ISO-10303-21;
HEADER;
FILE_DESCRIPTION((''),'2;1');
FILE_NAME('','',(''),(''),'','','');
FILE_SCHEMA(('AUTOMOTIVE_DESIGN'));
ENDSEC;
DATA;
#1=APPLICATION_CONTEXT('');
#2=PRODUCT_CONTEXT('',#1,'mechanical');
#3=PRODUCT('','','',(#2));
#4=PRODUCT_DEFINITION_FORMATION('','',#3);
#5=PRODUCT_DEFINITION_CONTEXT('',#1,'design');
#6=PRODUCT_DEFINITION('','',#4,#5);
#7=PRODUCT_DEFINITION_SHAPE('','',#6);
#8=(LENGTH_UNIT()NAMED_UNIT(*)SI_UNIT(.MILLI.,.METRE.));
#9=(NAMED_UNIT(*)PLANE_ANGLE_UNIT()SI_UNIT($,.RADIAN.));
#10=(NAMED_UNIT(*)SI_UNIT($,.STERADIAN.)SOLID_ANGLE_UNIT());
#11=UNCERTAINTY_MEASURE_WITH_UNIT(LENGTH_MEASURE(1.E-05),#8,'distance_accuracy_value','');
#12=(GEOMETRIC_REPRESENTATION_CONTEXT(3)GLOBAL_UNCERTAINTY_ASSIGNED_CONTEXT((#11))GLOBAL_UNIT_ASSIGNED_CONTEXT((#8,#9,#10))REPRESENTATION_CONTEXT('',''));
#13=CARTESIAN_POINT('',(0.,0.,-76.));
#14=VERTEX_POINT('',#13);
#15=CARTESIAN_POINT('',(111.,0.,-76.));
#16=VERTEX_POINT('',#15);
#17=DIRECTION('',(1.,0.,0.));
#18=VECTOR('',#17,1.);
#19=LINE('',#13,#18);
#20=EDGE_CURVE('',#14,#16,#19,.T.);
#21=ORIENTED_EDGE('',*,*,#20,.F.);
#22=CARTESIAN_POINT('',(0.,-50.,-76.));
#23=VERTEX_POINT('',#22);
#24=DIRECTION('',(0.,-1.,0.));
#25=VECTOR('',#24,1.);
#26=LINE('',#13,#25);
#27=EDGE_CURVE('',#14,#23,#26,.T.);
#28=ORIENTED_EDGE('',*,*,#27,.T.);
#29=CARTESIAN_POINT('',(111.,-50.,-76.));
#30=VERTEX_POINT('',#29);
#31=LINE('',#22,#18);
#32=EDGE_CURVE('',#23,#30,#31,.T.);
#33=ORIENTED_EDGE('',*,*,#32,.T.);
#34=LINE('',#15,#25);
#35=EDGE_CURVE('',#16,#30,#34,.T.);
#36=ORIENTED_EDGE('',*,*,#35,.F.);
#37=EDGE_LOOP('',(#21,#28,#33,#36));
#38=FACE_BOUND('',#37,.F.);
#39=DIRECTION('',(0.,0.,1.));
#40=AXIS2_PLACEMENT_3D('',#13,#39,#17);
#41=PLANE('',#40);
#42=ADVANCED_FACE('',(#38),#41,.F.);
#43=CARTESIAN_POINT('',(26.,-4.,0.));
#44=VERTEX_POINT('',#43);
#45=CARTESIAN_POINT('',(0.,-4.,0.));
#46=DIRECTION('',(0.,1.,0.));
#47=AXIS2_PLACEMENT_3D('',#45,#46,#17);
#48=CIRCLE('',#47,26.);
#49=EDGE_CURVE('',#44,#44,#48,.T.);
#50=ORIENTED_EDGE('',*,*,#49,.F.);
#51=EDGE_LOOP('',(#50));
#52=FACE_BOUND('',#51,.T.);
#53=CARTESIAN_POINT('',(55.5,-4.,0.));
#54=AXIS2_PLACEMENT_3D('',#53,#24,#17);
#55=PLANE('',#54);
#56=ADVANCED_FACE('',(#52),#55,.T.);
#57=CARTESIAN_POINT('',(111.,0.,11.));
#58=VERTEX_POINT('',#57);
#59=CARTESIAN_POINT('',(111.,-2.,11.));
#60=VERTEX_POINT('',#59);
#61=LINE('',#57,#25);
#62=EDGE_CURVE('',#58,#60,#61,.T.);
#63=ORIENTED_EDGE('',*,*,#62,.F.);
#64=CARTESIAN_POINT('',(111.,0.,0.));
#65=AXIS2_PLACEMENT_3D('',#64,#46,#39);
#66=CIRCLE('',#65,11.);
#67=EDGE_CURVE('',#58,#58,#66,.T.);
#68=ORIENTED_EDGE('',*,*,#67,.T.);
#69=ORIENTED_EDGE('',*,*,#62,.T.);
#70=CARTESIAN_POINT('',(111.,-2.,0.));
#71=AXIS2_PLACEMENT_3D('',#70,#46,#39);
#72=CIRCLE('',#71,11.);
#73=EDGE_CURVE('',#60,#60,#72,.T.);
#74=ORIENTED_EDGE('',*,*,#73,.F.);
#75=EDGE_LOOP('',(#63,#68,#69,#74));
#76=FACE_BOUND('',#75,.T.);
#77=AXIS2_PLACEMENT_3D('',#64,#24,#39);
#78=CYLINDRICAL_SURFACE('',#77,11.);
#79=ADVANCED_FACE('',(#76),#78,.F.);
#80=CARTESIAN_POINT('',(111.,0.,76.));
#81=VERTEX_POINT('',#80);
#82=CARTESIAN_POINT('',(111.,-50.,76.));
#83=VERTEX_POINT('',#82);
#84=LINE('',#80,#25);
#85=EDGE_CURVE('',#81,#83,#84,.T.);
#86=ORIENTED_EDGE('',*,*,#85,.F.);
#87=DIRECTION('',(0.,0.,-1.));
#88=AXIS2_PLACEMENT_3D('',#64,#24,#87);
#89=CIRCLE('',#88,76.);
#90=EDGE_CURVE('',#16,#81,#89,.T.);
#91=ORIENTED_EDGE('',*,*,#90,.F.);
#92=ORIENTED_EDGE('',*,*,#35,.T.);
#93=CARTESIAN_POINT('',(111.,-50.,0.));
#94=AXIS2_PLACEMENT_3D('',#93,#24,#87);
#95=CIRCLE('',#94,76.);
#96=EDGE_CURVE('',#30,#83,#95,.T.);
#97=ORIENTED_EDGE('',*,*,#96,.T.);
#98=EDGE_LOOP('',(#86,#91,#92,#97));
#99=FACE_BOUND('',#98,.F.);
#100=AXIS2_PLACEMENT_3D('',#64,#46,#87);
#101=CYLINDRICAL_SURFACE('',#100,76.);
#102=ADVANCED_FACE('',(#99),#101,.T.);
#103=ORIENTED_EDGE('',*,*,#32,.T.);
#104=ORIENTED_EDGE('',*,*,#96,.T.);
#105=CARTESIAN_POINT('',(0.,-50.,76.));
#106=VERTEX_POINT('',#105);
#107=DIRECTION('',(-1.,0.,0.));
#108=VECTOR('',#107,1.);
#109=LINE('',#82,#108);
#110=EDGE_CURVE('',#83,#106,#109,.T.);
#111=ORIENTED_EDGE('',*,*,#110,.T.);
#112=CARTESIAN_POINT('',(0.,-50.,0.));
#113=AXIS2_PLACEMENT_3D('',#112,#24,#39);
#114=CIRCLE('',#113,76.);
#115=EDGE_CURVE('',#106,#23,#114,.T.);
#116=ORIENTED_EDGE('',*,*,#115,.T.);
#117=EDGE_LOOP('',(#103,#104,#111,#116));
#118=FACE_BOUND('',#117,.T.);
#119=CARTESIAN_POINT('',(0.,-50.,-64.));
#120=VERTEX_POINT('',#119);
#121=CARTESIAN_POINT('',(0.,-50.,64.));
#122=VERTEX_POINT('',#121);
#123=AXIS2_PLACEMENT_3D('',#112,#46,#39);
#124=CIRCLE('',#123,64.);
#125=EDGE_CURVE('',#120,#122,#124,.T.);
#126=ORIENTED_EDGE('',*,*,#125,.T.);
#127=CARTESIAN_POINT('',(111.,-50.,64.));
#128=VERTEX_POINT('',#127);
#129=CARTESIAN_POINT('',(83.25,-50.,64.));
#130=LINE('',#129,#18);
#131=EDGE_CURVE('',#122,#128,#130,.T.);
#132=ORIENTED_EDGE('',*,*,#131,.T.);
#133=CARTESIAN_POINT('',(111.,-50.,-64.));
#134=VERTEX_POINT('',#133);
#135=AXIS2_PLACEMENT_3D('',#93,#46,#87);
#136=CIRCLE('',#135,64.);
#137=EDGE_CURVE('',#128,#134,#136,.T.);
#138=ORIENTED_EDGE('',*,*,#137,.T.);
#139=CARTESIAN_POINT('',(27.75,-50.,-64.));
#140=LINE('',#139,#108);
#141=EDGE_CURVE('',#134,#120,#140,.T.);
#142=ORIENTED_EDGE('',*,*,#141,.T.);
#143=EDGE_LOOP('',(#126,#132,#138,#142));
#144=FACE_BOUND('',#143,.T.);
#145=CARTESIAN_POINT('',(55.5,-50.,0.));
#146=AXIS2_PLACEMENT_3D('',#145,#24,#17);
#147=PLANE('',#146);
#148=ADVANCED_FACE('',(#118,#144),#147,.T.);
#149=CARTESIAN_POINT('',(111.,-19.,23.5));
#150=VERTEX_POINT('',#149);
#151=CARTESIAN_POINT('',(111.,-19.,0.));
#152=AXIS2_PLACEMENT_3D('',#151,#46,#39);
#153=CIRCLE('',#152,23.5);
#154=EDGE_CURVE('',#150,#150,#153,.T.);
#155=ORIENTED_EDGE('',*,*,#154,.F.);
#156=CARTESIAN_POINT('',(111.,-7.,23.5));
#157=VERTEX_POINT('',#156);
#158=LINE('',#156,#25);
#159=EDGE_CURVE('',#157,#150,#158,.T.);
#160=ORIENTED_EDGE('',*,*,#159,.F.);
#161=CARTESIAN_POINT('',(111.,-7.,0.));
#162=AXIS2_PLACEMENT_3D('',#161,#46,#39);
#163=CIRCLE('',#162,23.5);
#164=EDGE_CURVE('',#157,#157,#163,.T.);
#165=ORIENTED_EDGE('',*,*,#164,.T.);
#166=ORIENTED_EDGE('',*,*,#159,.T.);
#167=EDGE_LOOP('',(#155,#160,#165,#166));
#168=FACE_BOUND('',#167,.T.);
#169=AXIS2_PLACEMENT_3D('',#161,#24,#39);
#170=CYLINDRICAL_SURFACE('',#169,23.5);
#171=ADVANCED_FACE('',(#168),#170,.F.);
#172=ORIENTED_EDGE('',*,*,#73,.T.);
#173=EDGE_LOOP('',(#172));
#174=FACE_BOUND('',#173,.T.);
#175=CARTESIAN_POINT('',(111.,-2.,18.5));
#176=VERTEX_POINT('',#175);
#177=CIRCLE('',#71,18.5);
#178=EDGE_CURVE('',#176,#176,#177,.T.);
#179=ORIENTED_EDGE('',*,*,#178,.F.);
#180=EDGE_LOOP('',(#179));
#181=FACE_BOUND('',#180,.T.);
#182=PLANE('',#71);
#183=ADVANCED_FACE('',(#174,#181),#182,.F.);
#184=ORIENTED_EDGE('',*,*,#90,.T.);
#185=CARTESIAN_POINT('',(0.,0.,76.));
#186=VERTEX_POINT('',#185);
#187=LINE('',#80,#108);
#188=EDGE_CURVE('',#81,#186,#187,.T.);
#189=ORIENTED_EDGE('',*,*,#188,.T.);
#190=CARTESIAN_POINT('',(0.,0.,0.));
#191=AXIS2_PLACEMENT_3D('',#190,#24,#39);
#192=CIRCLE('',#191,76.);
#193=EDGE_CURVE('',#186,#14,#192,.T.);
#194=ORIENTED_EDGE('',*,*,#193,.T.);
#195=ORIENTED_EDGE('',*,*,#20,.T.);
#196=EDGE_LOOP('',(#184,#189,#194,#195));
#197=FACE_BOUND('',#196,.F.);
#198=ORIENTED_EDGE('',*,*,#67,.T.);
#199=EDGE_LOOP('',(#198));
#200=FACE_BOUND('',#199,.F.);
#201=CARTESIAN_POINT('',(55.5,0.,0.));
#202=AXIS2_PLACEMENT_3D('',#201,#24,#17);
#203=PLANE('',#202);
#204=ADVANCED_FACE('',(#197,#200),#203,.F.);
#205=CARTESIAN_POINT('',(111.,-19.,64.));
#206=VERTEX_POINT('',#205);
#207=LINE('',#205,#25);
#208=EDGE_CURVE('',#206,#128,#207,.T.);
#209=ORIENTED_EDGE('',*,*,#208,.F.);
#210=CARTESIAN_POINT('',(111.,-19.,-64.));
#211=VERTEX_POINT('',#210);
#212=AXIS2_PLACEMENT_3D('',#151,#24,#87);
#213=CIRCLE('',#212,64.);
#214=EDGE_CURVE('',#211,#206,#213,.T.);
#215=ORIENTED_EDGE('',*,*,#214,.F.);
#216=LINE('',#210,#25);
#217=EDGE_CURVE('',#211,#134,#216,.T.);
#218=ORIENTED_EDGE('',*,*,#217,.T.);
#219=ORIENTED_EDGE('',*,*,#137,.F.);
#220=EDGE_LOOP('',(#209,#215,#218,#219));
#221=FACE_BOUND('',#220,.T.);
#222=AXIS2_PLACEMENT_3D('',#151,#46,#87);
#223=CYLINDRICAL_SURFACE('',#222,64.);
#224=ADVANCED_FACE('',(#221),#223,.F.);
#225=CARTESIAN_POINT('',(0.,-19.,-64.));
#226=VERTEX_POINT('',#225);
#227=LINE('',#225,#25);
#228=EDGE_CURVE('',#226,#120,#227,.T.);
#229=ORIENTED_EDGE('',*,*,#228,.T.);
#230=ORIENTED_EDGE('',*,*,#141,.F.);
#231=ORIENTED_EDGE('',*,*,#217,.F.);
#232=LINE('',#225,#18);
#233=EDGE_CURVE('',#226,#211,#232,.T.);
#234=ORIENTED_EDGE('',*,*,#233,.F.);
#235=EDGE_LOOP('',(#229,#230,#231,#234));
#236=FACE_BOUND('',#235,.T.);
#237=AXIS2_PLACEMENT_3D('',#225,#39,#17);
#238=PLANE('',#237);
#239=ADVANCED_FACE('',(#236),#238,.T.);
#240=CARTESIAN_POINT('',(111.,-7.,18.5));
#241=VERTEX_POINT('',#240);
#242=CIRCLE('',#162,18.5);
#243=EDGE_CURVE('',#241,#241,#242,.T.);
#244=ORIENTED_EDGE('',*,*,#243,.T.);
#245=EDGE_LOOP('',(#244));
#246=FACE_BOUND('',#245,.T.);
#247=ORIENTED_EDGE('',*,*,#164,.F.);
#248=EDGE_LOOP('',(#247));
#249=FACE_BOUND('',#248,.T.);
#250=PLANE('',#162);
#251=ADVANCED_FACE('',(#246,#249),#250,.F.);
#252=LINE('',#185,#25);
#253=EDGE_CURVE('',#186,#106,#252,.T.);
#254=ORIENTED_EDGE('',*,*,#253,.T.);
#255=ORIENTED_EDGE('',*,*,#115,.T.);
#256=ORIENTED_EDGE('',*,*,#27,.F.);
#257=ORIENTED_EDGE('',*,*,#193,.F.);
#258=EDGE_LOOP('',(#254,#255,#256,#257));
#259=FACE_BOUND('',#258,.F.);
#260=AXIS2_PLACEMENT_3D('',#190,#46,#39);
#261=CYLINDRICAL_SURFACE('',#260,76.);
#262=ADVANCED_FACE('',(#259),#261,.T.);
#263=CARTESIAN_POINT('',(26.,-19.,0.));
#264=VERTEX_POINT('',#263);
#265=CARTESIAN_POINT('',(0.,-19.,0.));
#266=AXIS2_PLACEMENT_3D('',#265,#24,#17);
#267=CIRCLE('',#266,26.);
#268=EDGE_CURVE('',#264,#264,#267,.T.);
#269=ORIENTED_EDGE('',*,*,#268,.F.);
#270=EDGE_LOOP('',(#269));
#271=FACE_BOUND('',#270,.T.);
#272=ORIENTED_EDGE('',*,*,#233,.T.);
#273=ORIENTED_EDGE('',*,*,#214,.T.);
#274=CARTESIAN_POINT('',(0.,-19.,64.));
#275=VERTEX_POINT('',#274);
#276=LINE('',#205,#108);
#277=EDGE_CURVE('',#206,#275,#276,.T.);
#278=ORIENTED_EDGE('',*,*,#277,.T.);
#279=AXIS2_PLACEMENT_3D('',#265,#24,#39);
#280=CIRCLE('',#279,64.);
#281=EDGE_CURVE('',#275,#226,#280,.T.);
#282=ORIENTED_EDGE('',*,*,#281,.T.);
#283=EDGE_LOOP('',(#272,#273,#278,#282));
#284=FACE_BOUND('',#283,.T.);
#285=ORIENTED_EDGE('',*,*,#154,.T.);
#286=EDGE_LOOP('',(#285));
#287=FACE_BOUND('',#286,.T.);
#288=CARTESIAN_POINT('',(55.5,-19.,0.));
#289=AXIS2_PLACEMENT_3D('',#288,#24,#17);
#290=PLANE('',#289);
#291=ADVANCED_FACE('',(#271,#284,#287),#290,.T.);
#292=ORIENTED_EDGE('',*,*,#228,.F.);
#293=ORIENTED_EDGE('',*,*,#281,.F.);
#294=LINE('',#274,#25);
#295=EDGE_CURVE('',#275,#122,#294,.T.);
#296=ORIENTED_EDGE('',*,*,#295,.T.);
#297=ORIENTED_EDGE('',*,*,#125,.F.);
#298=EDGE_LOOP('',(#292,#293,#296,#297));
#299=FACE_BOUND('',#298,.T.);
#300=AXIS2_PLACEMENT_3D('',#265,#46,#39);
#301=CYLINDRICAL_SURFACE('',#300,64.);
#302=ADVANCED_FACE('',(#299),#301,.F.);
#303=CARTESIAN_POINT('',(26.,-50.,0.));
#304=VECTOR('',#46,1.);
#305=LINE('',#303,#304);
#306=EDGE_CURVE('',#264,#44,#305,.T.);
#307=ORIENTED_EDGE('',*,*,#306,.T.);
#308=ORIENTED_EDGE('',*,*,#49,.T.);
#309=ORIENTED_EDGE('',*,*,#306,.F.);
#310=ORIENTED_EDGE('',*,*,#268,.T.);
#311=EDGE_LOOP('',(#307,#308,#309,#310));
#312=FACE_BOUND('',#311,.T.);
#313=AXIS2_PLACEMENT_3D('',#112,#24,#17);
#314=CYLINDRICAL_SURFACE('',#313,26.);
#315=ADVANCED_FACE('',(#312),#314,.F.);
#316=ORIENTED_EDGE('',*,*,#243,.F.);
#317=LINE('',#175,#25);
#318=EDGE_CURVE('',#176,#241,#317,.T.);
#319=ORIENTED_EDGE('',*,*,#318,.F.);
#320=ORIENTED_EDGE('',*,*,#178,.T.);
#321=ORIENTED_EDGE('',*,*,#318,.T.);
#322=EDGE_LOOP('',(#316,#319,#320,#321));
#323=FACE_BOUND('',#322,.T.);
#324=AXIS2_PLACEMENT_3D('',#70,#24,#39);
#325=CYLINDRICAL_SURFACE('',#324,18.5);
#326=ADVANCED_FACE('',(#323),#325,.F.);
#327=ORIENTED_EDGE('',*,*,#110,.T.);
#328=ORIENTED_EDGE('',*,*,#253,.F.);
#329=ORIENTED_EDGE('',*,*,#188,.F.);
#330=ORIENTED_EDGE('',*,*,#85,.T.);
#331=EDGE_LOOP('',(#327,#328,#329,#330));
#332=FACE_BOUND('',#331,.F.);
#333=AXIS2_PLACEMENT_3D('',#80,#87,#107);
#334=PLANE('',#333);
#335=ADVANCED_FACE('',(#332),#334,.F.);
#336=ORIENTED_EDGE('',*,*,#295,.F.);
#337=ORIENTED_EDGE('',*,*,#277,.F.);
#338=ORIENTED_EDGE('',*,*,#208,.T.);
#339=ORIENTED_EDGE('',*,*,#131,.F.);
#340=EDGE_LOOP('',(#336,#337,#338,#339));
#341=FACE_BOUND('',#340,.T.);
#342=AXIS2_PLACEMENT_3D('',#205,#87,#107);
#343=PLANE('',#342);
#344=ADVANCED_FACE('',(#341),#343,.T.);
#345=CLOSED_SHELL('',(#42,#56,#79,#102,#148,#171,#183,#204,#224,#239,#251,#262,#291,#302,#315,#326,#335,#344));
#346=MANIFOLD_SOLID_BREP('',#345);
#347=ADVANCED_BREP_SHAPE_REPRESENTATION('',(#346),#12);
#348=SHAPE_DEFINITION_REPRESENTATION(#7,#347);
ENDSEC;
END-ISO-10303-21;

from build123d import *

# Parameters (mm, degrees)
F1_DEPTH = 50
F3_R     = 26
F4_DEPTH = 50
F5_DEPTH = 46


with BuildPart() as f1:
    # F0 (on Front) → F1 (new body)
    with BuildSketch(Plane.XZ):
        with BuildLine():
            Line((111, 76), (0, 76))
            ThreePointArc((0, 76), (-76, 0), (0, -76))
            Line((0, -76), (111, -76))
            ThreePointArc((111, -76), (187, 0), (111, 76))
        make_face()
    extrude(amount=F1_DEPTH)

    # F3 (on offset) → F4 (cut)
    with BuildSketch(Plane.XZ.offset(19)):
        with BuildLine():
            Line((111, 64), (0, 64))
            ThreePointArc((0, 64), (-64, 0), (0, -64))
            Line((0, -64), (111, -64))
            ThreePointArc((111, -64), (175, 0), (111, 64))
        make_face()
        Circle(F3_R, mode=Mode.SUBTRACT)
    extrude(amount=F4_DEPTH, mode=Mode.SUBTRACT)

    # F5 (cut): a face of the model
    f5_faces = [f1.faces().sort_by_distance(p)[0] for p in [
        (0, -50, 0),
    ]]
    extrude(f5_faces, amount=-F5_DEPTH, mode=Mode.SUBTRACT)

    # F7 (on offset) → F8 (revolve, cut)
    with BuildSketch(Plane.YZ.offset(111)):
        Polygon((-19, 0), (0, 0), (0, 11), (-2, 11), (-2, 18.5), (-7, 18.5), (-7, 23.5), (-19, 23.5), align=None)
    revolve(axis=Axis((111, 0, 0), (0, 1, 0)), mode=Mode.SUBTRACT)


solid = f1.part
